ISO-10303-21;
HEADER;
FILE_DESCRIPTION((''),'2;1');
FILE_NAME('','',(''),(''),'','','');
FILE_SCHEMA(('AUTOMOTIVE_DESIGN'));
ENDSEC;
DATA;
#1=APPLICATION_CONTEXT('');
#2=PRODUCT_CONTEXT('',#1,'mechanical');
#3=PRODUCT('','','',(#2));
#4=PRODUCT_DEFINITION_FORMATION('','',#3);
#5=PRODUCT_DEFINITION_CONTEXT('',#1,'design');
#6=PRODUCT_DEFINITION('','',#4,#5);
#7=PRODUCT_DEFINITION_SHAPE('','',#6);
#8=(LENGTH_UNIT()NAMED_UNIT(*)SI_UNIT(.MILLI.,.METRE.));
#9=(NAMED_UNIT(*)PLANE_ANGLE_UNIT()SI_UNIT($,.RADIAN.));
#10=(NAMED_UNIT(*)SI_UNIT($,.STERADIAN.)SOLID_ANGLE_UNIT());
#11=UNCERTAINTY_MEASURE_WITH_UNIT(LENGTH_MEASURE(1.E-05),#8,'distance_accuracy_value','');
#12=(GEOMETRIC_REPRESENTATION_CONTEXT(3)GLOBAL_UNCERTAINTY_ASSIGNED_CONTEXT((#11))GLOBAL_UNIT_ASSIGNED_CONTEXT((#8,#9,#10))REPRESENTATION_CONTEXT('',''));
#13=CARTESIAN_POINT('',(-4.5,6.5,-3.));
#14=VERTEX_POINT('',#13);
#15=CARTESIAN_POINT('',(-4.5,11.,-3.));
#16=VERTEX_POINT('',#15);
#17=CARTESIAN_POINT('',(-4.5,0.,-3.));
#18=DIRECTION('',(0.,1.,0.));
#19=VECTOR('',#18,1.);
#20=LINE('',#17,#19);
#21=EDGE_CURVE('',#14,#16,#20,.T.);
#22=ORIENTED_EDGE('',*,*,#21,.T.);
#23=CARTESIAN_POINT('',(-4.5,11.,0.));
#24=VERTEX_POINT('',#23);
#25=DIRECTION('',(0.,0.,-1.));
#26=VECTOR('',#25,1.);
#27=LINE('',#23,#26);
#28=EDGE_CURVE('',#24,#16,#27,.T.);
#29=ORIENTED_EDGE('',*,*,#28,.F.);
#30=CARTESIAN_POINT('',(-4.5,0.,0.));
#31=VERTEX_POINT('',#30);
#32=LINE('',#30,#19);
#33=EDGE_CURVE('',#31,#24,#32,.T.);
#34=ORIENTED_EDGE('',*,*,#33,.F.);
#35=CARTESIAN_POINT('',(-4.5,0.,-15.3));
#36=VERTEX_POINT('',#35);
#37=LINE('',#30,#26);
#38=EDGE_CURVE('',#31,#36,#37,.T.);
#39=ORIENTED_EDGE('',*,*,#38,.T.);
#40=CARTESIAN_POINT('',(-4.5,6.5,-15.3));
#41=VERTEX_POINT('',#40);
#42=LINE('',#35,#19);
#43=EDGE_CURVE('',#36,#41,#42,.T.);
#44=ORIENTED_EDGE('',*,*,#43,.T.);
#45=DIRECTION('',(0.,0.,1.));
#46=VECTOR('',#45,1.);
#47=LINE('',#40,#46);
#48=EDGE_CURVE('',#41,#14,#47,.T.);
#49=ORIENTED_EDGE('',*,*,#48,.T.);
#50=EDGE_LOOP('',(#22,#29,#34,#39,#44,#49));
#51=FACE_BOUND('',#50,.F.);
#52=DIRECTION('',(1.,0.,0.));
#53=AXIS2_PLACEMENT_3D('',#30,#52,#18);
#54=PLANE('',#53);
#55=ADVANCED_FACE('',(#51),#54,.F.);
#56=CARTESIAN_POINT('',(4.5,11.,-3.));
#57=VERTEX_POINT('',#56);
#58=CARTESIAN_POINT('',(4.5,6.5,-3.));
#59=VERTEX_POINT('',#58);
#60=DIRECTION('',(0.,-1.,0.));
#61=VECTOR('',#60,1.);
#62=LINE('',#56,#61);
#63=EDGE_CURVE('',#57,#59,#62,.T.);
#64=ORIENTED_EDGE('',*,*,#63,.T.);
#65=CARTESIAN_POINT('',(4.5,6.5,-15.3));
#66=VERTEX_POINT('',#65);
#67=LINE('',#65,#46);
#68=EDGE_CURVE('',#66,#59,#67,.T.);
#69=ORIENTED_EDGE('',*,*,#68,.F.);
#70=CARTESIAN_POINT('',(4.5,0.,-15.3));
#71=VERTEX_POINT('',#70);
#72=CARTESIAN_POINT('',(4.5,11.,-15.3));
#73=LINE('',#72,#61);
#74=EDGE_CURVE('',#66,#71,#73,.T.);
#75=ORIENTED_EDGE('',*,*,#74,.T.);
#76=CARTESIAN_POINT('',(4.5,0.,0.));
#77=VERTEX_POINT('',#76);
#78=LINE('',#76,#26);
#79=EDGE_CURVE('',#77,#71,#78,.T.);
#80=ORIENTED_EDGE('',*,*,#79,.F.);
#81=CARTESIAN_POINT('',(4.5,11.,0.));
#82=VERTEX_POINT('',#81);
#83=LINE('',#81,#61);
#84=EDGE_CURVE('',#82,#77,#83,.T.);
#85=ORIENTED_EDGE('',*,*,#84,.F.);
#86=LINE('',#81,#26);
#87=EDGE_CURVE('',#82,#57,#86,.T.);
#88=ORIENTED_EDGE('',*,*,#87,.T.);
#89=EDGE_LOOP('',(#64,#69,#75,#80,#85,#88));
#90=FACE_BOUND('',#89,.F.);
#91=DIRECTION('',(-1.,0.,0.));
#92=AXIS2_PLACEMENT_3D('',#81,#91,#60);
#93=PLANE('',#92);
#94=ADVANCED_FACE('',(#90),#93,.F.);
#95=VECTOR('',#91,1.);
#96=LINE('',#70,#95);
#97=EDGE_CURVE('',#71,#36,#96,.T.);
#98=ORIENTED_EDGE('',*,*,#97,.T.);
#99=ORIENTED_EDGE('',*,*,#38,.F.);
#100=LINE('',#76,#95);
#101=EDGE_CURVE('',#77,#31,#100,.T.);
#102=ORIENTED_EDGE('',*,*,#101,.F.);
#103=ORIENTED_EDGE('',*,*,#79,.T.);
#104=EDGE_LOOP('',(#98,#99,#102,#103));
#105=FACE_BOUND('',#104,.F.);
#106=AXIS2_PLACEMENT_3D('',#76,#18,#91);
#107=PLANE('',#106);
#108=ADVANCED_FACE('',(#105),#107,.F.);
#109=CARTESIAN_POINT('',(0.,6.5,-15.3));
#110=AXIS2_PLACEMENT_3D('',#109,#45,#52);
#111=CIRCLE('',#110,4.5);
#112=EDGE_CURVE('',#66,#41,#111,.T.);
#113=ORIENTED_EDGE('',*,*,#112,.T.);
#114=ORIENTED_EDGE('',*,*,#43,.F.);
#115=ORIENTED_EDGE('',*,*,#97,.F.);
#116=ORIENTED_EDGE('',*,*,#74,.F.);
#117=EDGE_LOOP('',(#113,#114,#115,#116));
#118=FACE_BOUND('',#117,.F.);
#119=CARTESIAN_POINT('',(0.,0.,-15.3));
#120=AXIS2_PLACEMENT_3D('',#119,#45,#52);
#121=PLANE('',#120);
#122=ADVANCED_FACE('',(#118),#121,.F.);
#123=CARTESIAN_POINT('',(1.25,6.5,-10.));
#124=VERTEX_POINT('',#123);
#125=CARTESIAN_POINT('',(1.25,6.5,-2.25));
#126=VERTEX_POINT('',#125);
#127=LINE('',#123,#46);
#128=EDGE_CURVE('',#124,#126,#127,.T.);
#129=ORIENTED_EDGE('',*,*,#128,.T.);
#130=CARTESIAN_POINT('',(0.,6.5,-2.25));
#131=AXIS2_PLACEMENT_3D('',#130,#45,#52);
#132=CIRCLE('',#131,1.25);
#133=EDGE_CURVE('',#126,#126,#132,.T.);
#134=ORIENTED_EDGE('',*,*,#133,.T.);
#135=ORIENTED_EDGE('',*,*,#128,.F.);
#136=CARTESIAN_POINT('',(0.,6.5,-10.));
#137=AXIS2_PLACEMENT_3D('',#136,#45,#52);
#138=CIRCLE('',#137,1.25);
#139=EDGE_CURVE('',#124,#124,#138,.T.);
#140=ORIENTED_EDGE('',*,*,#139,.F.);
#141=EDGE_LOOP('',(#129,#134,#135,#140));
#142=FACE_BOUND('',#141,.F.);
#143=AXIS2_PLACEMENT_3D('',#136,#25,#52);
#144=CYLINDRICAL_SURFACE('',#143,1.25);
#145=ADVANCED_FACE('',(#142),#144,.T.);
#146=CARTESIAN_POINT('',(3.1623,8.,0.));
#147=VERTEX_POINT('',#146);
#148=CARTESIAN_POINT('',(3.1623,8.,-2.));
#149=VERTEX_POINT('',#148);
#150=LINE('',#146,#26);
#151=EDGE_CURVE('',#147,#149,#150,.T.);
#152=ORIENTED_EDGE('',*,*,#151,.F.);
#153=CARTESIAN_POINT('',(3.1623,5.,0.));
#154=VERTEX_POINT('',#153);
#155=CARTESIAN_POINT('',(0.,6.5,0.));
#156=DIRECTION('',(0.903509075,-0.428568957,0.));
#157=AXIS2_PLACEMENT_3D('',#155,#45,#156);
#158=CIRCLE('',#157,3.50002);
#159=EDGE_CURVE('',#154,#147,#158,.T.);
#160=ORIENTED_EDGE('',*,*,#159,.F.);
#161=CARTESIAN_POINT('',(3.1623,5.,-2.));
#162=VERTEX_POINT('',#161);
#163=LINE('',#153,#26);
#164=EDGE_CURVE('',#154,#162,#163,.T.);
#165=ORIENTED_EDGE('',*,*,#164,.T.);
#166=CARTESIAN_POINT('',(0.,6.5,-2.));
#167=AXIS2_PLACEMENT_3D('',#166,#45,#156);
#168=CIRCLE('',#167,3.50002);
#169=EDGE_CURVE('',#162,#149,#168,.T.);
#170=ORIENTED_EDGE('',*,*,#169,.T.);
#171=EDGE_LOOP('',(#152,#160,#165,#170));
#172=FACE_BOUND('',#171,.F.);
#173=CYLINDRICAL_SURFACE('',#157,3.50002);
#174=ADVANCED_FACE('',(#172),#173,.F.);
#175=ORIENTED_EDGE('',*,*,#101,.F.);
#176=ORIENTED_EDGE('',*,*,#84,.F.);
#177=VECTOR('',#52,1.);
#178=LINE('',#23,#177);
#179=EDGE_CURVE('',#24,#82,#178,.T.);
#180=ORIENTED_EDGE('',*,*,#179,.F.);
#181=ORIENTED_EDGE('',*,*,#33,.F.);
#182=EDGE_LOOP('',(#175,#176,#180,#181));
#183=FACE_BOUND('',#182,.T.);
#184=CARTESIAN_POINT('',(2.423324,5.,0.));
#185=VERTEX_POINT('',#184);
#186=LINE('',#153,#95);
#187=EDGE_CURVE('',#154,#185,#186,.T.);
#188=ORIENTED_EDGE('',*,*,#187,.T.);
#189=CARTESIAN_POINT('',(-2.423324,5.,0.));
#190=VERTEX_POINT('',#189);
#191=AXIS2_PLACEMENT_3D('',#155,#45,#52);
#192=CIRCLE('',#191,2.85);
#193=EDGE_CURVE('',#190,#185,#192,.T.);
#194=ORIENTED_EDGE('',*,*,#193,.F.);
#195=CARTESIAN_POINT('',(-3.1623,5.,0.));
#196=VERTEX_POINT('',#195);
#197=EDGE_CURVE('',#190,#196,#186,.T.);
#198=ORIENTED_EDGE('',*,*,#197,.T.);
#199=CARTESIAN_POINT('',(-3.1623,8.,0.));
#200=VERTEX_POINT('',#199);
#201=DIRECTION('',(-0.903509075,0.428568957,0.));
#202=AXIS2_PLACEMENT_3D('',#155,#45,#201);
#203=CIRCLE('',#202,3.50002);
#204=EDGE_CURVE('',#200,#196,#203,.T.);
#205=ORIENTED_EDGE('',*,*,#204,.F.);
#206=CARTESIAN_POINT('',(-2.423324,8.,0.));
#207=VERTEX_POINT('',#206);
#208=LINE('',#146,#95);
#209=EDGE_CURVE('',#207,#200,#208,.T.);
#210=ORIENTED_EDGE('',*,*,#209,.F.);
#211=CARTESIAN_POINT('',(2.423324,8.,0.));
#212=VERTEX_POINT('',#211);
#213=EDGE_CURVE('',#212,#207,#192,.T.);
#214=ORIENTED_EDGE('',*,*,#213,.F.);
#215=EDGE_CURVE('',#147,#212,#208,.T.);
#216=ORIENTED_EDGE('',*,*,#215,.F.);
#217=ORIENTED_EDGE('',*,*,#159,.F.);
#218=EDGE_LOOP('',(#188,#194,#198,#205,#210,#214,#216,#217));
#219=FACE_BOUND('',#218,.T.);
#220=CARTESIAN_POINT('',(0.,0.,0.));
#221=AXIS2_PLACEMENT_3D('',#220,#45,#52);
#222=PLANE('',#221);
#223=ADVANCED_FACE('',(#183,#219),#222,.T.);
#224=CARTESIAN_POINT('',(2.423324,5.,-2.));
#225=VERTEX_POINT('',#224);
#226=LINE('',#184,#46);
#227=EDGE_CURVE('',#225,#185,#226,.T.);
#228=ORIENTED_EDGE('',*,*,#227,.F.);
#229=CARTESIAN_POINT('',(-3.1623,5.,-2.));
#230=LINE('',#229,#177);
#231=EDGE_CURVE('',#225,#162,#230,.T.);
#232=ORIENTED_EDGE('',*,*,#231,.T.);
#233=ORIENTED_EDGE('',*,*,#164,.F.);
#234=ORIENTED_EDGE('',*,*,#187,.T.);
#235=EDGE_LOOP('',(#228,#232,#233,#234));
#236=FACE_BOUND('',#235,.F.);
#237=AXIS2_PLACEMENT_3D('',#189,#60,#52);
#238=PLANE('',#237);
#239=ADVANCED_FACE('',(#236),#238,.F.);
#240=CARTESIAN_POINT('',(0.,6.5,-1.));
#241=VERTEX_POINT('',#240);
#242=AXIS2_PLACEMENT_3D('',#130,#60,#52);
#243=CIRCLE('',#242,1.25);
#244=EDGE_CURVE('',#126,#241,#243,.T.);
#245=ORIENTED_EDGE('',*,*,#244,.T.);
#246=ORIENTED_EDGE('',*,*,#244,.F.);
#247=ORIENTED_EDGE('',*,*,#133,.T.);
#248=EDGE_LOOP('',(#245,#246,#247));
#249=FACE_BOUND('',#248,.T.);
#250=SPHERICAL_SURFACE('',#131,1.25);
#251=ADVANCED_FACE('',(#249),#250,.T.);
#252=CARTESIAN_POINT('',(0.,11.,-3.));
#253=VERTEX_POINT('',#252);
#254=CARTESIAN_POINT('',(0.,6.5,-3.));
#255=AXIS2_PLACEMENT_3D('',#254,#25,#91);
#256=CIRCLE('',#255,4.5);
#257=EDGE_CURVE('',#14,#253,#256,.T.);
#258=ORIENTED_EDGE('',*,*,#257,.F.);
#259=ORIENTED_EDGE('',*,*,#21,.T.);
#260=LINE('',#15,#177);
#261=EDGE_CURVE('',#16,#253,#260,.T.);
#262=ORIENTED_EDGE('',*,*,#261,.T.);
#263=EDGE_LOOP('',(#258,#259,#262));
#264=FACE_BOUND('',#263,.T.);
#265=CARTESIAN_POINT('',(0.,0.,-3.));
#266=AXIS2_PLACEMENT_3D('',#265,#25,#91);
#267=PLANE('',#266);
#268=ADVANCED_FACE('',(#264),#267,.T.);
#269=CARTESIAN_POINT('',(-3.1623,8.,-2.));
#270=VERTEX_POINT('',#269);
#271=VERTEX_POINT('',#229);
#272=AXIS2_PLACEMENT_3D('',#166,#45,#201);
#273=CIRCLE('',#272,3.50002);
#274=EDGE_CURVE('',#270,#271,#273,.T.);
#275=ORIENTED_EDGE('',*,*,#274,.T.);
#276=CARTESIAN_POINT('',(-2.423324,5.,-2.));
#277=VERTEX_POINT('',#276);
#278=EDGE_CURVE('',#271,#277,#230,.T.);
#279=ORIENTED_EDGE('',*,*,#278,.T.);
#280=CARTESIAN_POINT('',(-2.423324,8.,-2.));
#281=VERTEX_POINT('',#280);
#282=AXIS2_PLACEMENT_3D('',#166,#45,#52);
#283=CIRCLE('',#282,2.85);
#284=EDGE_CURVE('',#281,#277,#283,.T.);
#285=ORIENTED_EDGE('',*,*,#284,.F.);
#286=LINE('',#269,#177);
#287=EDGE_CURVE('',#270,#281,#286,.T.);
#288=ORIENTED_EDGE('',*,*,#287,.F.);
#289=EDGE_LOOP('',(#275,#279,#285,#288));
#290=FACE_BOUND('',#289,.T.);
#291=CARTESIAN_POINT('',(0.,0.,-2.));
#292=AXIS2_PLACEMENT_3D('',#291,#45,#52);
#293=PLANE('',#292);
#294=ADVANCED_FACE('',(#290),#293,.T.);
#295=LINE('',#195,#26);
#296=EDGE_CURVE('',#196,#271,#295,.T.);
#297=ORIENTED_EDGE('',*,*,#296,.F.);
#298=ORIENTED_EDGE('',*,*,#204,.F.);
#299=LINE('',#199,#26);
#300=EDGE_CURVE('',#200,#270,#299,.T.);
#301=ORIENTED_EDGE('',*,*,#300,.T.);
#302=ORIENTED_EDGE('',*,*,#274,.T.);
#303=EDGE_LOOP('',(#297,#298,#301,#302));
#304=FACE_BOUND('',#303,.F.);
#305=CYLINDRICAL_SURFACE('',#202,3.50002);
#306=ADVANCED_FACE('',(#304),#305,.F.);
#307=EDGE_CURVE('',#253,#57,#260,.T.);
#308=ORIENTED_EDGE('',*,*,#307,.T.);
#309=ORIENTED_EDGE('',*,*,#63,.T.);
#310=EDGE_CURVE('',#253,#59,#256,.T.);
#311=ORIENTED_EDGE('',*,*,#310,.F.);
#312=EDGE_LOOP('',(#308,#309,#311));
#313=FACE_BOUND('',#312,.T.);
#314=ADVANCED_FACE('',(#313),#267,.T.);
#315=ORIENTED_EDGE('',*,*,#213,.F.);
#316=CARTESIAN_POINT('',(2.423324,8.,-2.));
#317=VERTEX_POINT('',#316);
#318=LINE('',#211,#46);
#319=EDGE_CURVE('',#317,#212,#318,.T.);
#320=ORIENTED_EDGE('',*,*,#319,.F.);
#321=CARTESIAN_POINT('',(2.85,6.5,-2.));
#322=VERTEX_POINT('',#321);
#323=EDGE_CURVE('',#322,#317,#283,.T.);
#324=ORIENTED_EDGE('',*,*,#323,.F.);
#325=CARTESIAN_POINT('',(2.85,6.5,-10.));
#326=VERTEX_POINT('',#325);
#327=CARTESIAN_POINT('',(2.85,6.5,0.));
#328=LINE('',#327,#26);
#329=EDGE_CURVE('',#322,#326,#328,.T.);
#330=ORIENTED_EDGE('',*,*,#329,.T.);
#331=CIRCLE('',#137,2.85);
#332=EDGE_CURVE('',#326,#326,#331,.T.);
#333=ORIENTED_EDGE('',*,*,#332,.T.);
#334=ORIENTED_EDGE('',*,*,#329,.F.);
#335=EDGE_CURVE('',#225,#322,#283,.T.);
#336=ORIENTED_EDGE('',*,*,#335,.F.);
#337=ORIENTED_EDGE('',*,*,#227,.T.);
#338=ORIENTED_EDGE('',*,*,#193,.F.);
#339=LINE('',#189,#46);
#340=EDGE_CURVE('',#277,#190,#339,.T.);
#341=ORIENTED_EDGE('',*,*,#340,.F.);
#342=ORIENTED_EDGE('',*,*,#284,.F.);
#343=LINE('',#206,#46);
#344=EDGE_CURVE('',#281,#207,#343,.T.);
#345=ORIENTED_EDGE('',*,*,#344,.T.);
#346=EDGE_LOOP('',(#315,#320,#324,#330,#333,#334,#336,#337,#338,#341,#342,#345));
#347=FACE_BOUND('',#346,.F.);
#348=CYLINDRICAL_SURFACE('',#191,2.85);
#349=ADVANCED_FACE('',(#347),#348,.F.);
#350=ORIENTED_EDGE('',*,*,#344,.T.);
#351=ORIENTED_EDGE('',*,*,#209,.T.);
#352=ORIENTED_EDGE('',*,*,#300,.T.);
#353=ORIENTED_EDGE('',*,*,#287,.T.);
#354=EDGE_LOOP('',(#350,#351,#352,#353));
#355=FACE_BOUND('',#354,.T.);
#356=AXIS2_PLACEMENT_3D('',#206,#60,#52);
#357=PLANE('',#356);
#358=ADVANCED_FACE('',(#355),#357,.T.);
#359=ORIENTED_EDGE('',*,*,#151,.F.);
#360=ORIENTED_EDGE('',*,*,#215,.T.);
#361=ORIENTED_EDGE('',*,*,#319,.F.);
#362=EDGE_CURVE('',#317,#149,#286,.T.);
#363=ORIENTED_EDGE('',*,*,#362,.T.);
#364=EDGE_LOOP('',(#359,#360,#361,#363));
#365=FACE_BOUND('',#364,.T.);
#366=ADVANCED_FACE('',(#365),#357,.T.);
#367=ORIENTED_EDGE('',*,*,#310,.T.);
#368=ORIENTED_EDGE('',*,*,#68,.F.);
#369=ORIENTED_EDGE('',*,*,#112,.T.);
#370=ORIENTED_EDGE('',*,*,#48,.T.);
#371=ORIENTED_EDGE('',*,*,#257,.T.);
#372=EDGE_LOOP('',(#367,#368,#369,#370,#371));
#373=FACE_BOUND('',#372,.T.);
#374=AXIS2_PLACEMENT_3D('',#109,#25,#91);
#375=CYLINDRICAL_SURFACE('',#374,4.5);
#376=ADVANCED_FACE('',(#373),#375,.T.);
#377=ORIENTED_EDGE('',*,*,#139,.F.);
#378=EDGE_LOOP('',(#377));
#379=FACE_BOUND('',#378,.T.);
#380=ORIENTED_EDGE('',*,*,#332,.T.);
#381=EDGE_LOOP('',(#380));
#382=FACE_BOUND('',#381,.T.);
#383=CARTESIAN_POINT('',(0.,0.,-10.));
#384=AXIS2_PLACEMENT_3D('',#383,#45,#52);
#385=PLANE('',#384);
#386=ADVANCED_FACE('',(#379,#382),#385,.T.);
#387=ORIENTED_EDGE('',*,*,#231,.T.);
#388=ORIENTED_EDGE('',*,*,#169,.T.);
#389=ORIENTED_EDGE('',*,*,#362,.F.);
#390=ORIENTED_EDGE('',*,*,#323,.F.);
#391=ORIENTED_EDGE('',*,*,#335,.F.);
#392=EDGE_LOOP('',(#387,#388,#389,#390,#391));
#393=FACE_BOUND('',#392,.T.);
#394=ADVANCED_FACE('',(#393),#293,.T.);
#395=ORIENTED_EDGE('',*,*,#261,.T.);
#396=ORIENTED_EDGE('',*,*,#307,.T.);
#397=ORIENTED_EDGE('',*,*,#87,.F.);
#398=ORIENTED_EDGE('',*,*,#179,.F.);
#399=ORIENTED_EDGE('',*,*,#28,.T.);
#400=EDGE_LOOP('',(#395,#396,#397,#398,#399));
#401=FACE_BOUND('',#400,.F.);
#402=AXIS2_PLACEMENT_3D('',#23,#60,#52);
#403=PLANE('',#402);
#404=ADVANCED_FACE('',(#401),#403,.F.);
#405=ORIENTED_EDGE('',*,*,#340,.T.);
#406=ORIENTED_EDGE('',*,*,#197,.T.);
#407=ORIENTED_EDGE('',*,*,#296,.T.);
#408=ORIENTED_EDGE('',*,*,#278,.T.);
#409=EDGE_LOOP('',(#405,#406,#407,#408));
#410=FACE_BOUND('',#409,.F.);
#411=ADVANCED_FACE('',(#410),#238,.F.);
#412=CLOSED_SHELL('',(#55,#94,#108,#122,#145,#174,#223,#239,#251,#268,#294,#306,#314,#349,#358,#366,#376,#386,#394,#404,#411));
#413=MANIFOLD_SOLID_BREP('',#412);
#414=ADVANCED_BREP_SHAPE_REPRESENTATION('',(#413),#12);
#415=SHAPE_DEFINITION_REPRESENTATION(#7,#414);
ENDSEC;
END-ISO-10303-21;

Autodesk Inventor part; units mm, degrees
ref_plane "YZ Plane" through (0, 0, 0) normal (1, 0, 0) x (0, 1, 0)
ref_plane "XZ Plane" through (0, 0, 0) normal (0, 1, 0) x (-1, 0, 0)
ref_plane "XY Plane" through (0, 0, 0) normal (0, 0, 1) x (1, 0, 0)
sketch "Sketch1" plane through (0, 0, 0) normal (0, 0, 1) x (1, 0, 0)
  line L0 (-4.5, 11) -> (4.5, 11)
  line L1 (4.5, 11) -> (4.5, 0)
  line L2 (4.5, 0) -> (-4.5, 0)
  line L3 (-4.5, 0) -> (-4.5, 11)
  point P0 (0, 0)
  dimension "d0" = 9
  dimension "d1" = 0
  dimension "d2" = 11
  dimension "d3" = 4.5
extrude "Extrusion1" add sketch "Sketch1" against normal blind 15.3
sketch "Sketch2" plane through (0, 0, 0) normal (0, 0, 1) x (1, 0, 0)
  line L0 (4.5, 0) -> (-4.5, 0) projected
  circle A0 centre (0, 6.5) radius 2.85
  point P0 (0, 0)
  dimension "d6" = 5.7
  dimension "d7" = 6.5
extrude "Extrusion2" cut sketch "Sketch2" against normal blind 10
sketch "Sketch4" plane through (0, 0, 0) normal (0, 0, 1) x (1, 0, 0)
  circle A0 centre (0, 6.5) radius 2.85 projected
  line L0 (4.5, 11) -> (4.5, 0) projected
  arc A1 (-3.1623, 8) -> (-3.1623, 5) centre (0, 6.5) ccw
  arc A2 (3.1623, 5) -> (3.1623, 8) centre (0, 6.5) ccw
  line L1 (-3.1623, 8) -> (3.1623, 8)
  line L2 (-3.1623, 5) -> (3.1623, 5)
  point P0 (0, 0)
  dimension "d17" = 3.5
  dimension "d18" = 3
  dimension "d19" = 1.5
extrude "Extrusion4" cut sketch "Sketch4" against normal blind 2 contours A0 L2 L1 | A0 L1 A2 L2 | A0 L2 A1 L1
sketch "Sketch3" plane through (0, 6.5, -10) normal (0, 0, 1) x (1, 0, 0)
  circle A0 centre (0, 0) radius 2.85 projected
  circle A1 centre (0, 0) radius 1.25
  point P0 (0, -6.5)
  dimension "d10" = 2.5
extrude "Extrusion3" add sketch "Sketch3" along normal blind 9 contours A1
fillet "Fillet1" radius 1.25 1 edges at (-1.25, 6.5, -1)
sketch "Sketch5" plane through (0, 0, -15.3) normal (0, 0, -1) x (-1, 0, 0)
  line L0 (4.5, 11) -> (-4.5, 11) projected
  line L1 (-4.5, 11) -> (-4.5, 0) projected
  line L2 (-4.5, 0) -> (4.5, 0) projected
  line L3 (4.5, 0) -> (4.5, 11) projected
  arc A0 (4.5, 6.5) -> (-4.5, 6.5) centre (0, 6.5) ccw
  point P0 (0, 0)
  dimension "d22" = 0
  dimension "d23" = 9
extrude "Extrusion5" cut sketch "Sketch5" against normal blind 12.3 contours L3 A0 L0 | A0 L1 L0
properties part number "jack" material "PET Plastic"
